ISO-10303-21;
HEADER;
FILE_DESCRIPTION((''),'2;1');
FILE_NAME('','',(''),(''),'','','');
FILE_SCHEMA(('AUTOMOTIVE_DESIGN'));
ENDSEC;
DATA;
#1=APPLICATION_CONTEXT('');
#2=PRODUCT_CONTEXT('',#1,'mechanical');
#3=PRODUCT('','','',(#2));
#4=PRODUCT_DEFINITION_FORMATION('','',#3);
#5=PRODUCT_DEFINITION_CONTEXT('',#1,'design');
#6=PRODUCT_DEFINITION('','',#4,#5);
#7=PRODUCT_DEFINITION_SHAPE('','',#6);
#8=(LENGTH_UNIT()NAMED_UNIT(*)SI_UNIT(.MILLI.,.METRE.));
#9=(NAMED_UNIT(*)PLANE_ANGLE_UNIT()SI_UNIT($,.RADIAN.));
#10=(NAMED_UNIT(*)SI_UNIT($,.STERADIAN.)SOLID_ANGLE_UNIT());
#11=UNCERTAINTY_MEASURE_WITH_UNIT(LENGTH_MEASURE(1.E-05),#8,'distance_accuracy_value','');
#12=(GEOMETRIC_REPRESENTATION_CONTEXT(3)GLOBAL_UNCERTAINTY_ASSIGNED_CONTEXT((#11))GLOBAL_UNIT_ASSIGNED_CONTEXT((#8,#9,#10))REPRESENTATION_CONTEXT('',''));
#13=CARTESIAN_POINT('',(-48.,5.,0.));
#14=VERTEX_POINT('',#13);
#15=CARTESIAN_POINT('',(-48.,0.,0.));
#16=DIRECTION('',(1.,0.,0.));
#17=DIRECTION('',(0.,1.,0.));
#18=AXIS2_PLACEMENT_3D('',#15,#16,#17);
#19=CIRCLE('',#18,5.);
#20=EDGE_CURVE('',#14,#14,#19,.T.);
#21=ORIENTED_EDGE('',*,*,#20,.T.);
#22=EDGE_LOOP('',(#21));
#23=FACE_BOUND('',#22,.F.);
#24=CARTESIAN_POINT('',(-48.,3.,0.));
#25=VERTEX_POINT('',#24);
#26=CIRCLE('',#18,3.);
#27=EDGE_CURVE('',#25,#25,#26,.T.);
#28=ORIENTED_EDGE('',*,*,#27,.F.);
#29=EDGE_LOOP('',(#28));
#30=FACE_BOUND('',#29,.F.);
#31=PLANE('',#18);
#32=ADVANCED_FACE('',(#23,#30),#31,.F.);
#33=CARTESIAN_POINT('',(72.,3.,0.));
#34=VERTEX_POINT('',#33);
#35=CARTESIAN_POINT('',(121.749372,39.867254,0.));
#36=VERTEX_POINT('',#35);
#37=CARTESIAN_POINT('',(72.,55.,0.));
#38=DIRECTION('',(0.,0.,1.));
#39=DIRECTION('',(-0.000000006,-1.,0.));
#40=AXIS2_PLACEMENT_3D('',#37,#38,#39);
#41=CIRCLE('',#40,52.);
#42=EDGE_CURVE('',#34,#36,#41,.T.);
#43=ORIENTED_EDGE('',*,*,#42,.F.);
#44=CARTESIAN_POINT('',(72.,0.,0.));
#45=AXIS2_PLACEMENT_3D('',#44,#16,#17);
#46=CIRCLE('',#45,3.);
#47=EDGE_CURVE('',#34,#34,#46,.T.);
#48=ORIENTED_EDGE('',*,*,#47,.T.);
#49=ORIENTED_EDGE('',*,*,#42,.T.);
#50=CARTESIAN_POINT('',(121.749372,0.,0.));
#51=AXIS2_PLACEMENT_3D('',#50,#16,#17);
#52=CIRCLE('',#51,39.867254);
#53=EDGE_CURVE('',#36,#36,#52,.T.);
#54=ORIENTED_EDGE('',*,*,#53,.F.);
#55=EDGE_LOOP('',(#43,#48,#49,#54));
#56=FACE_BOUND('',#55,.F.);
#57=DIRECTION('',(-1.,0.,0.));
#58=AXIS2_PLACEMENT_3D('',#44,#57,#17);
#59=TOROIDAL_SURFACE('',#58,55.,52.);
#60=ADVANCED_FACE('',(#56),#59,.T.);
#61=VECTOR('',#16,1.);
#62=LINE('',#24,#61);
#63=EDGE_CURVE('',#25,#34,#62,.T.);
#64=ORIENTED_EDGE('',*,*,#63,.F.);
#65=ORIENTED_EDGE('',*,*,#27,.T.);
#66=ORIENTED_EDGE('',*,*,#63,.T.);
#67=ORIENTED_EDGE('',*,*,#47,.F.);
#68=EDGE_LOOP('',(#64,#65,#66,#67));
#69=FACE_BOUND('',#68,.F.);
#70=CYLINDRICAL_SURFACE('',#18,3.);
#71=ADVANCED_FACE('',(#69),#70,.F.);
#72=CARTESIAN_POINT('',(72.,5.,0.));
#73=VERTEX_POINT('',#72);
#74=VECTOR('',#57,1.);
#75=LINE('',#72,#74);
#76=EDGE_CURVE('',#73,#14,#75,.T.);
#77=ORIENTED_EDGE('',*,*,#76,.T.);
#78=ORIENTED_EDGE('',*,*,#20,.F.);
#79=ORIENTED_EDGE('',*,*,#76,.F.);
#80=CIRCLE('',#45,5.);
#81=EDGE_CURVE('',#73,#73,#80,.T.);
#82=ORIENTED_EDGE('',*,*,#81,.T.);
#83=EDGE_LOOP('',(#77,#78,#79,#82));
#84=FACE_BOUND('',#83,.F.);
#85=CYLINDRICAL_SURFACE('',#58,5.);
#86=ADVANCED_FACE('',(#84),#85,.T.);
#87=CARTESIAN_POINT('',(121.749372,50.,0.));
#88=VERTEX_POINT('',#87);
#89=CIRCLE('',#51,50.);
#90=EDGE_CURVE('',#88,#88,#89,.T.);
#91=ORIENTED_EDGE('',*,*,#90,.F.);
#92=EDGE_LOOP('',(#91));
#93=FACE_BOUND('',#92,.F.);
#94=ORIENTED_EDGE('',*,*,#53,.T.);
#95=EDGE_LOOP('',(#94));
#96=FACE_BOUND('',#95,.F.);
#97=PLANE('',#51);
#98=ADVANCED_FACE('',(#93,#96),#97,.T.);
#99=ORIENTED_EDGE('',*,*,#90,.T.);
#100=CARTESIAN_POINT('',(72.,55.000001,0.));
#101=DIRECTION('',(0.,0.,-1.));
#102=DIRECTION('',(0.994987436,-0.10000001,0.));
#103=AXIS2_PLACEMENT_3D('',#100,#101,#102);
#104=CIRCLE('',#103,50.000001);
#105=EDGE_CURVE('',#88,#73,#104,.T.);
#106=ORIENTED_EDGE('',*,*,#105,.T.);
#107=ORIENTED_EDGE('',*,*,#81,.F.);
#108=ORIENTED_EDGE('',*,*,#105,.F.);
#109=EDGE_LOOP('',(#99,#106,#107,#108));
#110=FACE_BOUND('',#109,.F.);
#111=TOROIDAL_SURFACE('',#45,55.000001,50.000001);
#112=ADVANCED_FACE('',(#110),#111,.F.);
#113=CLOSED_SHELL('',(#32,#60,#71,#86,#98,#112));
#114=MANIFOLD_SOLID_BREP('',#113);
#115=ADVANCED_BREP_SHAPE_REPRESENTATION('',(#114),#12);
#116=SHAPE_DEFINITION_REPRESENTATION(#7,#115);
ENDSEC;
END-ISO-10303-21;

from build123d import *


with BuildPart() as f1:
    # F0 (on Top) → F1 (revolve)
    with BuildSketch(Plane.XY):
        with BuildLine():
            Line((72, 5), (-48, 5))
            Line((-48, 5), (-48, 3))
            Line((-48, 3), (72, 3))
            ThreePointArc((72, 3), (102.960436, 13.2214), (121.749372, 39.867254))
            Line((121.749372, 39.867254), (121.749372, 50))
            ThreePointArc((121.749372, 50), (105.54102, 17.919008), (72, 5))
        make_face()
    revolve(axis=Axis((4.884046, 0, 0), (1, 0, 0)))


solid = f1.part
